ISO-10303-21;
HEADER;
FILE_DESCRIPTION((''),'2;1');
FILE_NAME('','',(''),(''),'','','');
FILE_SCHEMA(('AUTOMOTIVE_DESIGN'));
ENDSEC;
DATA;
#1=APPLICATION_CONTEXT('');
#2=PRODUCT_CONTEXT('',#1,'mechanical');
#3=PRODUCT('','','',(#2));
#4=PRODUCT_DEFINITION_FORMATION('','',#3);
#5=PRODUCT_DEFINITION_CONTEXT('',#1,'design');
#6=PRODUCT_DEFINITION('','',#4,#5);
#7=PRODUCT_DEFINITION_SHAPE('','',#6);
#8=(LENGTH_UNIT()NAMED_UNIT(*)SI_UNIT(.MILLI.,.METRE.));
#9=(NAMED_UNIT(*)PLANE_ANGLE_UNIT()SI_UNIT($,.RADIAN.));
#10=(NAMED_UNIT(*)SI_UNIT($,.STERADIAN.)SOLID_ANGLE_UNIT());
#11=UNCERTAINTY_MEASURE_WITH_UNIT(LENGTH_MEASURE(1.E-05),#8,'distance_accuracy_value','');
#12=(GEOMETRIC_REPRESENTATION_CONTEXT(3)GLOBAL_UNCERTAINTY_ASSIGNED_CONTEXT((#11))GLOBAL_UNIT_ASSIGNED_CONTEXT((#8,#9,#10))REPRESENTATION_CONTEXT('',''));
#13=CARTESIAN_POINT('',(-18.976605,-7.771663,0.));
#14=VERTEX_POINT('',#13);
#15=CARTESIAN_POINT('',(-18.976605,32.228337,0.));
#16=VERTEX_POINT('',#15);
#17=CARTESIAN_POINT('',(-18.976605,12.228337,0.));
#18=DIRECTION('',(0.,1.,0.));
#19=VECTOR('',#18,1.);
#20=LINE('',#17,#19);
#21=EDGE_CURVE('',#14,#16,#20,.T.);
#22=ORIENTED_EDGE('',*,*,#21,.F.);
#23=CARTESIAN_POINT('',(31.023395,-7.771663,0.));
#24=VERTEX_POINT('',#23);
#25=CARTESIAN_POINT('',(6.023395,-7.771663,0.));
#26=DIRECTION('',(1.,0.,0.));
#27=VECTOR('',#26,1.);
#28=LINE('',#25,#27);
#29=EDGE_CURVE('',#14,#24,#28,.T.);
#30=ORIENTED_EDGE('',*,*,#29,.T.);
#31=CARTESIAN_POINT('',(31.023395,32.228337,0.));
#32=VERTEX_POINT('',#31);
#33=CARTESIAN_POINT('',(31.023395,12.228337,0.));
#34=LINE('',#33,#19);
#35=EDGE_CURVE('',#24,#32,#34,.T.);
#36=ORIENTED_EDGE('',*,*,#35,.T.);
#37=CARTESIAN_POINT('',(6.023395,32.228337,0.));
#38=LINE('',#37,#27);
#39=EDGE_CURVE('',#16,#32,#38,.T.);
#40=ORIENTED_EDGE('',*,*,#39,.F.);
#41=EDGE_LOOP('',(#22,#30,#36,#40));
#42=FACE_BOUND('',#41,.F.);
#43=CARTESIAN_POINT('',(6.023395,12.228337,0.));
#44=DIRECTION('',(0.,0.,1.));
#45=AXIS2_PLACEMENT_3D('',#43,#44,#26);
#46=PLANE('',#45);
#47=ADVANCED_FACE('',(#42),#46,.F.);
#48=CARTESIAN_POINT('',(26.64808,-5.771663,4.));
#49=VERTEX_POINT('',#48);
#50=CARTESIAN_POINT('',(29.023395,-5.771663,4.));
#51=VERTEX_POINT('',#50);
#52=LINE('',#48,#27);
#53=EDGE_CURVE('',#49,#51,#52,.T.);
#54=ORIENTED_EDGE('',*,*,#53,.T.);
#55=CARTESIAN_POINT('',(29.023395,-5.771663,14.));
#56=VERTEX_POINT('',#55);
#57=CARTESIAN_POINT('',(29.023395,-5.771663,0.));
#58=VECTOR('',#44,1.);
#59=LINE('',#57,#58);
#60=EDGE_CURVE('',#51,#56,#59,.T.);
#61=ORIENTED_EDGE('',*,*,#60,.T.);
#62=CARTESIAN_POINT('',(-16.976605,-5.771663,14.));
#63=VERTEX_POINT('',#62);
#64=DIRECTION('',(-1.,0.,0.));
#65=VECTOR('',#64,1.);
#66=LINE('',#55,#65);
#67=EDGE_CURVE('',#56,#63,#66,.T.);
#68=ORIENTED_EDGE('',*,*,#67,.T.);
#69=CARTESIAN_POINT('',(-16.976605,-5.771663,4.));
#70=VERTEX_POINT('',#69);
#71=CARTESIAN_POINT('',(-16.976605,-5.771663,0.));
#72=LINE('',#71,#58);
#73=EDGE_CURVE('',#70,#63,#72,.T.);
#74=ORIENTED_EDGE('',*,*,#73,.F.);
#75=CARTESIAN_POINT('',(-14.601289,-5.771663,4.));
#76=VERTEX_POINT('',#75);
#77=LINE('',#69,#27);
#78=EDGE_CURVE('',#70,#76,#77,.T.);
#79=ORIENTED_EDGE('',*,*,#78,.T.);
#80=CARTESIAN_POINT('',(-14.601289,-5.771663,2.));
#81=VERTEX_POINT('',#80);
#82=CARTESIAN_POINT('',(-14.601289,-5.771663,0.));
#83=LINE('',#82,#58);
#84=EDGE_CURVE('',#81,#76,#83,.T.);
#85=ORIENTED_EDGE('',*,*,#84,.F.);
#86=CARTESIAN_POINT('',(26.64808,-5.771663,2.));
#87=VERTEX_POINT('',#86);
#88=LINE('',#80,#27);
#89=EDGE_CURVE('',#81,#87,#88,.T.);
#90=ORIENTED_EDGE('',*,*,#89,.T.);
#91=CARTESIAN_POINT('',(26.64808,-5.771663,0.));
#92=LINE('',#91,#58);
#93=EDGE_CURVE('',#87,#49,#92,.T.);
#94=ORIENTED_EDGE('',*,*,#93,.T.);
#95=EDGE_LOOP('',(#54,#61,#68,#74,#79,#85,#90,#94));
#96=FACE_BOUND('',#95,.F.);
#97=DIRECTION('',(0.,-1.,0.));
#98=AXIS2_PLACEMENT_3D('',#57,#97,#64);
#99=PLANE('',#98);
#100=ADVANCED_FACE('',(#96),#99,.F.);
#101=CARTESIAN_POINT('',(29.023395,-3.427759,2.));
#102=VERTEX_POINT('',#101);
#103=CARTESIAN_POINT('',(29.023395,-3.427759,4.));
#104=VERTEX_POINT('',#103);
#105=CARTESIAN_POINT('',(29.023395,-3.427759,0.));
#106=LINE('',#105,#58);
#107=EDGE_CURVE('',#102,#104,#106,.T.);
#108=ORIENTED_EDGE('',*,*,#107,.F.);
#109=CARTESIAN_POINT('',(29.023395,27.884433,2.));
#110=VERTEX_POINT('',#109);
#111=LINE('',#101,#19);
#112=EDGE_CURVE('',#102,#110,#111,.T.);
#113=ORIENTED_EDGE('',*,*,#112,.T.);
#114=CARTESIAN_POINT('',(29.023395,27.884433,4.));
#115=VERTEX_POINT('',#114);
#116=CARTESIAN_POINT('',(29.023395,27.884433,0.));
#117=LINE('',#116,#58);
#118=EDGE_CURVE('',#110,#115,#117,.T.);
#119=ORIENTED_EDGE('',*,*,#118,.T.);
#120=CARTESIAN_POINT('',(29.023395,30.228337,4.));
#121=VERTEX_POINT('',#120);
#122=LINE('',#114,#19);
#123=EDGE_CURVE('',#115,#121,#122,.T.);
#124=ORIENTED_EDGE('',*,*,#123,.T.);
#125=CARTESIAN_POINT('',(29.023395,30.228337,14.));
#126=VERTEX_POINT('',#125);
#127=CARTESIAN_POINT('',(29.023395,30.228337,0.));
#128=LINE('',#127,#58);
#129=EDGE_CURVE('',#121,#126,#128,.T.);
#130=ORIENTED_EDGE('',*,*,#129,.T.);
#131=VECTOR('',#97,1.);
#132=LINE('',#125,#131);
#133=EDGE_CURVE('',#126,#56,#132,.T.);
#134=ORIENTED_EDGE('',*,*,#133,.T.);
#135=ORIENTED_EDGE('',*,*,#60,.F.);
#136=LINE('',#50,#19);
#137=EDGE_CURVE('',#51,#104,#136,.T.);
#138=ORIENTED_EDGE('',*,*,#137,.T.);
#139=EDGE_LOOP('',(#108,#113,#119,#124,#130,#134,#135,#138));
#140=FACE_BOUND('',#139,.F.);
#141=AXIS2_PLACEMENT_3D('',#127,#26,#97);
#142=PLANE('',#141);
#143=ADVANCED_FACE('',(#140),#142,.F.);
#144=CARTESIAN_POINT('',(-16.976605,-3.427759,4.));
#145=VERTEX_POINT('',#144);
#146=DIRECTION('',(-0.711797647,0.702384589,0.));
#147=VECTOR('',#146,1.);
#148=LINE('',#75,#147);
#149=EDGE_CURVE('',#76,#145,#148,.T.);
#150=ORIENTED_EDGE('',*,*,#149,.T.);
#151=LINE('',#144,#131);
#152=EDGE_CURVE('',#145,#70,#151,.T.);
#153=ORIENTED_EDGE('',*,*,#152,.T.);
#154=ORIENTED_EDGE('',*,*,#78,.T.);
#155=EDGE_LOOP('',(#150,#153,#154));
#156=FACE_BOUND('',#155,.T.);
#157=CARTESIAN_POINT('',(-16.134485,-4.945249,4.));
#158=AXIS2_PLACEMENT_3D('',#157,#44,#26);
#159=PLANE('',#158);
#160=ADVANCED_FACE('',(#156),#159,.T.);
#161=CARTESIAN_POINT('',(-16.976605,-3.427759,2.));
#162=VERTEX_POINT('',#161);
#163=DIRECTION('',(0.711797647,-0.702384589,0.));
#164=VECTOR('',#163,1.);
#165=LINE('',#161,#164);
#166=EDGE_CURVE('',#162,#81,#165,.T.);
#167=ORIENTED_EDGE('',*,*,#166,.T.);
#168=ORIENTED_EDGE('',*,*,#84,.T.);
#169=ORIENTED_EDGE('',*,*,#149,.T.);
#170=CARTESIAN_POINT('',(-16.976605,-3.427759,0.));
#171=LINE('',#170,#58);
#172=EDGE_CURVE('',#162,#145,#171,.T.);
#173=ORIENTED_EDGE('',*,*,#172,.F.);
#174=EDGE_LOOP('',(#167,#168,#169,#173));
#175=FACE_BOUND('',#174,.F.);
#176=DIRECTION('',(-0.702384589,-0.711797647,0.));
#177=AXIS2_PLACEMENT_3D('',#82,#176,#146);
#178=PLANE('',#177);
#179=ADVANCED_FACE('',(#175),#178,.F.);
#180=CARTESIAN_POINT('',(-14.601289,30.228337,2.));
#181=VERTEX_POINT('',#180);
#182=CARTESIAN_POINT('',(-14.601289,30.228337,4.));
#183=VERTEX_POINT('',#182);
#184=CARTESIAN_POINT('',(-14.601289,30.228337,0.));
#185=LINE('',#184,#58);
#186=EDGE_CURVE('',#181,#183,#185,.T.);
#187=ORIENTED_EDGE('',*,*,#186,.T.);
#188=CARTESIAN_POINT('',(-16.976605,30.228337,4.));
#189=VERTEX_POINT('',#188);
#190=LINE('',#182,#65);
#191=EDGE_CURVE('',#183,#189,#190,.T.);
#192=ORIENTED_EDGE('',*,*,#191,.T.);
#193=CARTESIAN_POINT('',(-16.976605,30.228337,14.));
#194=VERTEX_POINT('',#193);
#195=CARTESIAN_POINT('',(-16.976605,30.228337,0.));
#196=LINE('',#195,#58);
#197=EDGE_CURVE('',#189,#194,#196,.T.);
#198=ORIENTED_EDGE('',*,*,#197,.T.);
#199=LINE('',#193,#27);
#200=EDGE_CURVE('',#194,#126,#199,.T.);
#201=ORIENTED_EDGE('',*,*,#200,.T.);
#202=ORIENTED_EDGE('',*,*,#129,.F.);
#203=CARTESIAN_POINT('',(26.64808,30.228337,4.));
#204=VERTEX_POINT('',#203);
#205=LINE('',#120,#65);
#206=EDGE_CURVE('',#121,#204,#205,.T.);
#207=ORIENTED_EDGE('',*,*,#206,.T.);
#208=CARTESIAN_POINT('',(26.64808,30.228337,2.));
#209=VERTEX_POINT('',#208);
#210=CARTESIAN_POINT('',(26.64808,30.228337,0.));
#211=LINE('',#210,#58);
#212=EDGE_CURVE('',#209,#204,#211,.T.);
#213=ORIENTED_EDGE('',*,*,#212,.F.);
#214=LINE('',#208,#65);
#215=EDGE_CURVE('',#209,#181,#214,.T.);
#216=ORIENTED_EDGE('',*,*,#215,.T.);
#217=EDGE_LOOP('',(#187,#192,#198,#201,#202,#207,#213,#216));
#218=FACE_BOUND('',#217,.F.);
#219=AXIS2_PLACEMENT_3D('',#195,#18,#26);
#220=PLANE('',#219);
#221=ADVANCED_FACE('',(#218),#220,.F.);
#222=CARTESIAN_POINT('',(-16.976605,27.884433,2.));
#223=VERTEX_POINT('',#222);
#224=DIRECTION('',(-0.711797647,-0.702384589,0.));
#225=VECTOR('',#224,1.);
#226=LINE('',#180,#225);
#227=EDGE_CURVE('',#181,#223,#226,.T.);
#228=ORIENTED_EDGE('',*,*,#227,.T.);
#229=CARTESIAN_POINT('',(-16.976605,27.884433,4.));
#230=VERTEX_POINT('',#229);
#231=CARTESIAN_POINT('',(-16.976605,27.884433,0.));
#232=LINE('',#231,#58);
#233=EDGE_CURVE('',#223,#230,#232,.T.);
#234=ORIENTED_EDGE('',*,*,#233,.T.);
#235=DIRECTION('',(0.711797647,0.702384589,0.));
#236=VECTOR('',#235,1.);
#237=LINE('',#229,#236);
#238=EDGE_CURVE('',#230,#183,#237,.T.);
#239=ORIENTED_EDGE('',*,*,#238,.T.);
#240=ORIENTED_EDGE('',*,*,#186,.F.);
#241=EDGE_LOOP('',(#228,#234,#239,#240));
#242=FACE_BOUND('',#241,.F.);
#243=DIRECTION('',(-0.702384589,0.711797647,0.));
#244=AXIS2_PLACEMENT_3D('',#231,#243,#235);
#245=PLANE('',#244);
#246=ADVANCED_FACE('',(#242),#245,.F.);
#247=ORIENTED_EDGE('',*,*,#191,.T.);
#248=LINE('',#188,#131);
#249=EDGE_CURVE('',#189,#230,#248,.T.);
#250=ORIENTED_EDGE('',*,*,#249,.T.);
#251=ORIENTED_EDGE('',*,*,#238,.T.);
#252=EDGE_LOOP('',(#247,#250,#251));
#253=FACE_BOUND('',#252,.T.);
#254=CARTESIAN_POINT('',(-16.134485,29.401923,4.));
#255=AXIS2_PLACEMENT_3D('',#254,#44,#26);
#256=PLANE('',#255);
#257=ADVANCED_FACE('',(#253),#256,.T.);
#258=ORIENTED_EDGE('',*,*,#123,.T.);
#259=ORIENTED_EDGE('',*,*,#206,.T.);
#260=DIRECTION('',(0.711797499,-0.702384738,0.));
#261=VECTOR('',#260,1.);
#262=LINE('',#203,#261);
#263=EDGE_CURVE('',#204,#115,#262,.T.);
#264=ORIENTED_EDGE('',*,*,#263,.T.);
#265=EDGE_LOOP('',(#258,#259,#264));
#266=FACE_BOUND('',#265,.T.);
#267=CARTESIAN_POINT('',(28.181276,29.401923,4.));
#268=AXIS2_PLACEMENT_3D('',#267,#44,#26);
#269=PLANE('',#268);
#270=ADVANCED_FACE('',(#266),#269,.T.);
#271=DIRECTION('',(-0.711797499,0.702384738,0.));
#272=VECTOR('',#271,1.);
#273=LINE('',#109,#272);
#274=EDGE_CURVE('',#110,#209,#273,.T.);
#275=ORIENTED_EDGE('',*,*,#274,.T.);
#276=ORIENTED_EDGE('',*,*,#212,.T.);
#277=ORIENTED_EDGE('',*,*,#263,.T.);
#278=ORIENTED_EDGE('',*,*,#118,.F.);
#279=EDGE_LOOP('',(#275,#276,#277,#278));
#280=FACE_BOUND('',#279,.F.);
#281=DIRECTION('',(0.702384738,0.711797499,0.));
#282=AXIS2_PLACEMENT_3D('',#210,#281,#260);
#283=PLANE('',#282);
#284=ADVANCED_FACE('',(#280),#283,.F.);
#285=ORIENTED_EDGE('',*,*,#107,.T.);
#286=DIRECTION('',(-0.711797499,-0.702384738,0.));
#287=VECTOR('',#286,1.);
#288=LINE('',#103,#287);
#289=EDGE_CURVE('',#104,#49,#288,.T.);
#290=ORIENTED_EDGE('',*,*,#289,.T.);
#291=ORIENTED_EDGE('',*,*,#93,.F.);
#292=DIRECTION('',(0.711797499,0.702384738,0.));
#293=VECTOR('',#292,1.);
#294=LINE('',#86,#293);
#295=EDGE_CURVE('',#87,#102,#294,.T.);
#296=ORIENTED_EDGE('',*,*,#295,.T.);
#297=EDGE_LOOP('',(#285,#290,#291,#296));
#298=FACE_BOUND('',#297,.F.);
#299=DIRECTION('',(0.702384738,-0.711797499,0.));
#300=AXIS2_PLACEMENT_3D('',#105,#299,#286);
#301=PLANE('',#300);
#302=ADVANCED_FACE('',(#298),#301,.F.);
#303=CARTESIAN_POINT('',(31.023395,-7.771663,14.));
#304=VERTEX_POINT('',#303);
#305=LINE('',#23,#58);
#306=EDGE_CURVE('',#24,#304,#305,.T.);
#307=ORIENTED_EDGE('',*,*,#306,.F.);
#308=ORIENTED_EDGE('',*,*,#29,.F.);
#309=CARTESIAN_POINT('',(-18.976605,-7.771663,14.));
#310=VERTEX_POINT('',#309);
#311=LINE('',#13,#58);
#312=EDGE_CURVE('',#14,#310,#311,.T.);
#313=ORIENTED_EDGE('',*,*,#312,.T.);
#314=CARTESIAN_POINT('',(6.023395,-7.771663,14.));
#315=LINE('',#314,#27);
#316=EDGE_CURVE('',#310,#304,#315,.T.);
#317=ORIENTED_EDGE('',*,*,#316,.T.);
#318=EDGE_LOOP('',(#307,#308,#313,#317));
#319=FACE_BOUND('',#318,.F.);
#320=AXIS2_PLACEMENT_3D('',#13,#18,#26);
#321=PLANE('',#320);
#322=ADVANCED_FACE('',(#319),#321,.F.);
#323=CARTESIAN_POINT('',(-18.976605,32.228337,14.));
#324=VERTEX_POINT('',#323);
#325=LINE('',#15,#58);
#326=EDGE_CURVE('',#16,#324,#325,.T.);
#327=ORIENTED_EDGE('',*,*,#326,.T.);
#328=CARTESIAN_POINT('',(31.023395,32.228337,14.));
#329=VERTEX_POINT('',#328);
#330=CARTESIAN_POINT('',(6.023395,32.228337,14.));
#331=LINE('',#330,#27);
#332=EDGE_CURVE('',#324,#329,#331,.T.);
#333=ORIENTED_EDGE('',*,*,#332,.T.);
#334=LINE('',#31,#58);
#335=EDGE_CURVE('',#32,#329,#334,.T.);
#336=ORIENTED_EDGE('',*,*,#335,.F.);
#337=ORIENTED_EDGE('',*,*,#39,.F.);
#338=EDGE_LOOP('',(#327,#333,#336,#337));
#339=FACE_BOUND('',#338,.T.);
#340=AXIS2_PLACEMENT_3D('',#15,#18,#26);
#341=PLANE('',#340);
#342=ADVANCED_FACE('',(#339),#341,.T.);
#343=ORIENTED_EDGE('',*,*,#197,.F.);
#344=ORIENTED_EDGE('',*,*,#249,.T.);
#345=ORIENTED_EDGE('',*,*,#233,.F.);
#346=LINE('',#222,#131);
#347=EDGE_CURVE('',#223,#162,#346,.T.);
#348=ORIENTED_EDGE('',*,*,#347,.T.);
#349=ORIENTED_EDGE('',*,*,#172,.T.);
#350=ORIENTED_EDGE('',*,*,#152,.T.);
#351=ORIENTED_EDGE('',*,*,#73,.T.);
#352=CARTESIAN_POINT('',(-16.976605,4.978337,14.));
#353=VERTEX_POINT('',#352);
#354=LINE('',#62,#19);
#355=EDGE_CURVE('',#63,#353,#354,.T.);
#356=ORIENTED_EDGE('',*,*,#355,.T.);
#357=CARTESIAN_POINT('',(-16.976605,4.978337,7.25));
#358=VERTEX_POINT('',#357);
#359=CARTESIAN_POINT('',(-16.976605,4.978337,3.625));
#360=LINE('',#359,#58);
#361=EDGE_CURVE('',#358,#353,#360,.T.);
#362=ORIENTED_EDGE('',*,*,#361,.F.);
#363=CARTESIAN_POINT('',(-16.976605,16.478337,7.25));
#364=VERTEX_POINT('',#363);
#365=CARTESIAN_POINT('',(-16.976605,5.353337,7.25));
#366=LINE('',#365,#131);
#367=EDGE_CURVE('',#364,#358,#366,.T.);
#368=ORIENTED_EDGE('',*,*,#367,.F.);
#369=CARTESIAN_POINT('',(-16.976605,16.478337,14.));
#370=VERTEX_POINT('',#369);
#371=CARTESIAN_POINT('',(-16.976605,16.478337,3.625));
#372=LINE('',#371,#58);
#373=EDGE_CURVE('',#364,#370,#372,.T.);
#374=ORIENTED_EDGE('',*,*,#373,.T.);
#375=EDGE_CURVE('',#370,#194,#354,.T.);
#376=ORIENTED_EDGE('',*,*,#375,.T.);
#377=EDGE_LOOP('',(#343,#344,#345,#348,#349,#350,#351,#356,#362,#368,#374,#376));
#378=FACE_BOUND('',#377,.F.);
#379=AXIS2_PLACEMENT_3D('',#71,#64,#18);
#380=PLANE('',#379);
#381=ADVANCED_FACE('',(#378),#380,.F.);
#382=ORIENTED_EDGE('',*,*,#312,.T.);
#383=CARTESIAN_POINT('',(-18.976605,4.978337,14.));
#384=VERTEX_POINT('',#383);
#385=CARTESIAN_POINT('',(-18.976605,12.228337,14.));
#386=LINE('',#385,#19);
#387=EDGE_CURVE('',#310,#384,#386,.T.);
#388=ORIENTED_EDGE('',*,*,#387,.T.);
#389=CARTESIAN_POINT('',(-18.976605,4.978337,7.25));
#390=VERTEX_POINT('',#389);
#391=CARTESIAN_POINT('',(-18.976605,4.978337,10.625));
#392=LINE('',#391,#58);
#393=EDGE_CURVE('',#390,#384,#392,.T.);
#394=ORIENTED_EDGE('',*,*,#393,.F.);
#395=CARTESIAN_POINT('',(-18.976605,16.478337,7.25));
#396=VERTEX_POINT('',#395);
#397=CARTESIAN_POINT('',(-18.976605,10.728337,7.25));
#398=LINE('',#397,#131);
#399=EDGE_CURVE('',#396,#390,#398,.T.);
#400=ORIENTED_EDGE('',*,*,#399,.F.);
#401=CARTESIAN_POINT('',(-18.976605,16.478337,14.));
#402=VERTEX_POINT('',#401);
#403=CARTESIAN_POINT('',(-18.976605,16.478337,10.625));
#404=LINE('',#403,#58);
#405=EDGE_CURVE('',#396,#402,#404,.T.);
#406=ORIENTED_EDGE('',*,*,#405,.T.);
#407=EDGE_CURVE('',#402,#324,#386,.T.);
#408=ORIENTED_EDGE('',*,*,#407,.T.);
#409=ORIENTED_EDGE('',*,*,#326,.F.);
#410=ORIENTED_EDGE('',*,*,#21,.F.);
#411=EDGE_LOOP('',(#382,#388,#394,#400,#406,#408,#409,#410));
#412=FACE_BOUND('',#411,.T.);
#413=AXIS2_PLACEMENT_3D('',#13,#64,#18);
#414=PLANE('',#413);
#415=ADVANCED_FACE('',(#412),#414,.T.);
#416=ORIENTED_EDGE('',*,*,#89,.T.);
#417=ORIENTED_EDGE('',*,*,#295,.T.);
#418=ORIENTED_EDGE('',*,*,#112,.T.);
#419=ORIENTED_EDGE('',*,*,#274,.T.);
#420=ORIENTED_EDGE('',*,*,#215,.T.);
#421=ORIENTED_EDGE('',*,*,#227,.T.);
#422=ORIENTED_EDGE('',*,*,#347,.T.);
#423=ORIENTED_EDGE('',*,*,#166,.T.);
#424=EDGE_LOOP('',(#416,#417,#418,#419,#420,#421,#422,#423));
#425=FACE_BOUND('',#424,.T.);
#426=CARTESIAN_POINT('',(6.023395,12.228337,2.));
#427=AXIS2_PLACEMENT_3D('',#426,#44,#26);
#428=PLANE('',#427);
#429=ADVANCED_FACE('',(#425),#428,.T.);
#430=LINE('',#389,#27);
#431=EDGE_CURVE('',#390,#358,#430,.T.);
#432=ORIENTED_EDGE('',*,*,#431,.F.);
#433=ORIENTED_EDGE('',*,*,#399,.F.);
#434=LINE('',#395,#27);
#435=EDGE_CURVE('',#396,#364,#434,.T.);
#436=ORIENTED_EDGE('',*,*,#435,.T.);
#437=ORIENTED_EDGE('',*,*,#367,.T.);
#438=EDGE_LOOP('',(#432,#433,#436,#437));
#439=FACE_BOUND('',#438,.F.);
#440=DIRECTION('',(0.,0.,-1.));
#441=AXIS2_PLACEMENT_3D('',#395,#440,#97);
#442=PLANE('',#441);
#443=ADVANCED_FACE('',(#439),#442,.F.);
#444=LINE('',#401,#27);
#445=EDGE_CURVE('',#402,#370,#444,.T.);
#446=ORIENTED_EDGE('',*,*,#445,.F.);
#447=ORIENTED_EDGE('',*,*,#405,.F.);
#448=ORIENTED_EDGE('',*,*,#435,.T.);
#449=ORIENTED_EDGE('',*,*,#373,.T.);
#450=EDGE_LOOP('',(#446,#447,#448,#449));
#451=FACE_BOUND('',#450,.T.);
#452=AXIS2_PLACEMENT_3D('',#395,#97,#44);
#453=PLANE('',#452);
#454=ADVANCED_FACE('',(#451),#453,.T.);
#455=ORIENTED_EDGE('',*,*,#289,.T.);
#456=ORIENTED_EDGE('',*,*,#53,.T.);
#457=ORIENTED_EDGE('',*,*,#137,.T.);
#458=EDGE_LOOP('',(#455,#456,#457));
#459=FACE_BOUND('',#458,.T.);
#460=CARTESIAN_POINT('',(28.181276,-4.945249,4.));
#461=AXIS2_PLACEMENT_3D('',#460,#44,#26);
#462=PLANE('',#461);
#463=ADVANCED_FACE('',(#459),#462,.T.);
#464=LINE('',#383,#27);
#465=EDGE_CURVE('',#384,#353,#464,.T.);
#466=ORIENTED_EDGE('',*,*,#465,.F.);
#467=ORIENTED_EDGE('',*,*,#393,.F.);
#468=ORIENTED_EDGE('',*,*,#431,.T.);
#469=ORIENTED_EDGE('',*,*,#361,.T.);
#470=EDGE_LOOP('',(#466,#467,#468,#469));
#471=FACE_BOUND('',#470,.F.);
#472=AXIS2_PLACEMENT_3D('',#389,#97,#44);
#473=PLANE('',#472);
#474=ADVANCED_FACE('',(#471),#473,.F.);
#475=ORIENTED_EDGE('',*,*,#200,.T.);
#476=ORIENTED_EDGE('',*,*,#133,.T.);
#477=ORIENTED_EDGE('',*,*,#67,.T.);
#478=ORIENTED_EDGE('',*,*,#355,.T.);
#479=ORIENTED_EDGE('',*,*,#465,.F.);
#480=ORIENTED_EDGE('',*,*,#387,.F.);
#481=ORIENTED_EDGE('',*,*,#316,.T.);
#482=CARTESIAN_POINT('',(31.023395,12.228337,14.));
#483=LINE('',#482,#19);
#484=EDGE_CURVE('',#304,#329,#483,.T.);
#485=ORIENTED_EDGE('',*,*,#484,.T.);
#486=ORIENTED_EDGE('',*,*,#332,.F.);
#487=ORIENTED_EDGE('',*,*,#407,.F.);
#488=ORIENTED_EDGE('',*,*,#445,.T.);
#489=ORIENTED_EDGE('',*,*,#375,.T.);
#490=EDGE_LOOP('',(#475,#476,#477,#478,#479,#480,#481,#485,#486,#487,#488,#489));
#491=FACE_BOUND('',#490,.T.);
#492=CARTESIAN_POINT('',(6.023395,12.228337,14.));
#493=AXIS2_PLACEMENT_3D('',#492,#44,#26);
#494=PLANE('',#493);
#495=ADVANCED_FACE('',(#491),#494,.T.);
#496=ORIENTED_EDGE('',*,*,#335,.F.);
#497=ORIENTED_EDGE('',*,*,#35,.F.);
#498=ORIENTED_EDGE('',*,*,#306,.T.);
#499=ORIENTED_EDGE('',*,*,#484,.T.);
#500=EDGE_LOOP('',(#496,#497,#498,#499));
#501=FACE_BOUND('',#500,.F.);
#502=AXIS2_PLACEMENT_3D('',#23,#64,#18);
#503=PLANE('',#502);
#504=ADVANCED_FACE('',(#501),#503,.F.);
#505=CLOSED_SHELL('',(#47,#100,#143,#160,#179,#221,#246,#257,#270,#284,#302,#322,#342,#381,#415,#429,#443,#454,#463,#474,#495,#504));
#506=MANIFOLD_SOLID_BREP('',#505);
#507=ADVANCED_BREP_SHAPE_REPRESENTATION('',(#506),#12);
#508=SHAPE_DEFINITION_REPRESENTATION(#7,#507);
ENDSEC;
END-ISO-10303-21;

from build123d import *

# Parameters (mm, degrees)
F1_DEPTH = 2
F2_DEPTH = 4
F0_W     = 50
F0_H     = 40
F3_DEPTH = 14
F4_W     = 11.5
F4_H     = 6.75
F5_DEPTH = 25


with BuildPart() as f1:
    # F0 (on Top) → F1 (new body)
    with BuildSketch(Plane.XY):
        Polygon((29.023395, 27.884433), (26.64808, 30.228337), (-14.601289, 30.228337), (-16.976605, 27.884433), (-16.976605, -3.427759), (-14.601289, -5.771663), (26.64808, -5.771663), (29.023395, -3.427759), align=None)
    extrude(amount=F1_DEPTH)

    # F0 (on Top) → F2 (join)
    with BuildSketch(Plane.XY):
        Polygon((-14.601289, -5.771663), (-16.976605, -3.427759), (-16.976605, -5.771663), align=None)
        Polygon((29.023395, -5.771663), (29.023395, -3.427759), (26.64808, -5.771663), align=None)
        Polygon((-16.976605, 27.884433), (-14.601289, 30.228337), (-16.976605, 30.228337), align=None)
        Polygon((29.023395, 27.884433), (29.023395, 30.228337), (26.64808, 30.228337), align=None)
    extrude(amount=F2_DEPTH)

    # F0 (on Top) → F3 (join)
    with BuildSketch(Plane.XY):
        with Locations((6.023395, 12.228337)):
            Rectangle(F0_W, F0_H)
        Polygon((26.64808, 30.228337), (29.023395, 30.228337), (29.023395, 27.884433), (29.023395, -3.427759), (29.023395, -5.771663), (26.64808, -5.771663), (-14.601289, -5.771663), (-16.976605, -5.771663), (-16.976605, -3.427759), (-16.976605, 27.884433), (-16.976605, 30.228337), (-14.601289, 30.228337), align=None, mode=Mode.SUBTRACT)
    extrude(amount=F3_DEPTH)

    # F4 (on face) → F5 (cut)
    with BuildSketch(Plane(origin=(-18.976605, 0, 0), x_dir=(0, -1, 0), z_dir=(-1, 0, 0))):
        with Locations((-10.728337, 10.625)):
            Rectangle(F4_W, F4_H)
    extrude(amount=-F5_DEPTH, mode=Mode.SUBTRACT)


solid = f1.part
